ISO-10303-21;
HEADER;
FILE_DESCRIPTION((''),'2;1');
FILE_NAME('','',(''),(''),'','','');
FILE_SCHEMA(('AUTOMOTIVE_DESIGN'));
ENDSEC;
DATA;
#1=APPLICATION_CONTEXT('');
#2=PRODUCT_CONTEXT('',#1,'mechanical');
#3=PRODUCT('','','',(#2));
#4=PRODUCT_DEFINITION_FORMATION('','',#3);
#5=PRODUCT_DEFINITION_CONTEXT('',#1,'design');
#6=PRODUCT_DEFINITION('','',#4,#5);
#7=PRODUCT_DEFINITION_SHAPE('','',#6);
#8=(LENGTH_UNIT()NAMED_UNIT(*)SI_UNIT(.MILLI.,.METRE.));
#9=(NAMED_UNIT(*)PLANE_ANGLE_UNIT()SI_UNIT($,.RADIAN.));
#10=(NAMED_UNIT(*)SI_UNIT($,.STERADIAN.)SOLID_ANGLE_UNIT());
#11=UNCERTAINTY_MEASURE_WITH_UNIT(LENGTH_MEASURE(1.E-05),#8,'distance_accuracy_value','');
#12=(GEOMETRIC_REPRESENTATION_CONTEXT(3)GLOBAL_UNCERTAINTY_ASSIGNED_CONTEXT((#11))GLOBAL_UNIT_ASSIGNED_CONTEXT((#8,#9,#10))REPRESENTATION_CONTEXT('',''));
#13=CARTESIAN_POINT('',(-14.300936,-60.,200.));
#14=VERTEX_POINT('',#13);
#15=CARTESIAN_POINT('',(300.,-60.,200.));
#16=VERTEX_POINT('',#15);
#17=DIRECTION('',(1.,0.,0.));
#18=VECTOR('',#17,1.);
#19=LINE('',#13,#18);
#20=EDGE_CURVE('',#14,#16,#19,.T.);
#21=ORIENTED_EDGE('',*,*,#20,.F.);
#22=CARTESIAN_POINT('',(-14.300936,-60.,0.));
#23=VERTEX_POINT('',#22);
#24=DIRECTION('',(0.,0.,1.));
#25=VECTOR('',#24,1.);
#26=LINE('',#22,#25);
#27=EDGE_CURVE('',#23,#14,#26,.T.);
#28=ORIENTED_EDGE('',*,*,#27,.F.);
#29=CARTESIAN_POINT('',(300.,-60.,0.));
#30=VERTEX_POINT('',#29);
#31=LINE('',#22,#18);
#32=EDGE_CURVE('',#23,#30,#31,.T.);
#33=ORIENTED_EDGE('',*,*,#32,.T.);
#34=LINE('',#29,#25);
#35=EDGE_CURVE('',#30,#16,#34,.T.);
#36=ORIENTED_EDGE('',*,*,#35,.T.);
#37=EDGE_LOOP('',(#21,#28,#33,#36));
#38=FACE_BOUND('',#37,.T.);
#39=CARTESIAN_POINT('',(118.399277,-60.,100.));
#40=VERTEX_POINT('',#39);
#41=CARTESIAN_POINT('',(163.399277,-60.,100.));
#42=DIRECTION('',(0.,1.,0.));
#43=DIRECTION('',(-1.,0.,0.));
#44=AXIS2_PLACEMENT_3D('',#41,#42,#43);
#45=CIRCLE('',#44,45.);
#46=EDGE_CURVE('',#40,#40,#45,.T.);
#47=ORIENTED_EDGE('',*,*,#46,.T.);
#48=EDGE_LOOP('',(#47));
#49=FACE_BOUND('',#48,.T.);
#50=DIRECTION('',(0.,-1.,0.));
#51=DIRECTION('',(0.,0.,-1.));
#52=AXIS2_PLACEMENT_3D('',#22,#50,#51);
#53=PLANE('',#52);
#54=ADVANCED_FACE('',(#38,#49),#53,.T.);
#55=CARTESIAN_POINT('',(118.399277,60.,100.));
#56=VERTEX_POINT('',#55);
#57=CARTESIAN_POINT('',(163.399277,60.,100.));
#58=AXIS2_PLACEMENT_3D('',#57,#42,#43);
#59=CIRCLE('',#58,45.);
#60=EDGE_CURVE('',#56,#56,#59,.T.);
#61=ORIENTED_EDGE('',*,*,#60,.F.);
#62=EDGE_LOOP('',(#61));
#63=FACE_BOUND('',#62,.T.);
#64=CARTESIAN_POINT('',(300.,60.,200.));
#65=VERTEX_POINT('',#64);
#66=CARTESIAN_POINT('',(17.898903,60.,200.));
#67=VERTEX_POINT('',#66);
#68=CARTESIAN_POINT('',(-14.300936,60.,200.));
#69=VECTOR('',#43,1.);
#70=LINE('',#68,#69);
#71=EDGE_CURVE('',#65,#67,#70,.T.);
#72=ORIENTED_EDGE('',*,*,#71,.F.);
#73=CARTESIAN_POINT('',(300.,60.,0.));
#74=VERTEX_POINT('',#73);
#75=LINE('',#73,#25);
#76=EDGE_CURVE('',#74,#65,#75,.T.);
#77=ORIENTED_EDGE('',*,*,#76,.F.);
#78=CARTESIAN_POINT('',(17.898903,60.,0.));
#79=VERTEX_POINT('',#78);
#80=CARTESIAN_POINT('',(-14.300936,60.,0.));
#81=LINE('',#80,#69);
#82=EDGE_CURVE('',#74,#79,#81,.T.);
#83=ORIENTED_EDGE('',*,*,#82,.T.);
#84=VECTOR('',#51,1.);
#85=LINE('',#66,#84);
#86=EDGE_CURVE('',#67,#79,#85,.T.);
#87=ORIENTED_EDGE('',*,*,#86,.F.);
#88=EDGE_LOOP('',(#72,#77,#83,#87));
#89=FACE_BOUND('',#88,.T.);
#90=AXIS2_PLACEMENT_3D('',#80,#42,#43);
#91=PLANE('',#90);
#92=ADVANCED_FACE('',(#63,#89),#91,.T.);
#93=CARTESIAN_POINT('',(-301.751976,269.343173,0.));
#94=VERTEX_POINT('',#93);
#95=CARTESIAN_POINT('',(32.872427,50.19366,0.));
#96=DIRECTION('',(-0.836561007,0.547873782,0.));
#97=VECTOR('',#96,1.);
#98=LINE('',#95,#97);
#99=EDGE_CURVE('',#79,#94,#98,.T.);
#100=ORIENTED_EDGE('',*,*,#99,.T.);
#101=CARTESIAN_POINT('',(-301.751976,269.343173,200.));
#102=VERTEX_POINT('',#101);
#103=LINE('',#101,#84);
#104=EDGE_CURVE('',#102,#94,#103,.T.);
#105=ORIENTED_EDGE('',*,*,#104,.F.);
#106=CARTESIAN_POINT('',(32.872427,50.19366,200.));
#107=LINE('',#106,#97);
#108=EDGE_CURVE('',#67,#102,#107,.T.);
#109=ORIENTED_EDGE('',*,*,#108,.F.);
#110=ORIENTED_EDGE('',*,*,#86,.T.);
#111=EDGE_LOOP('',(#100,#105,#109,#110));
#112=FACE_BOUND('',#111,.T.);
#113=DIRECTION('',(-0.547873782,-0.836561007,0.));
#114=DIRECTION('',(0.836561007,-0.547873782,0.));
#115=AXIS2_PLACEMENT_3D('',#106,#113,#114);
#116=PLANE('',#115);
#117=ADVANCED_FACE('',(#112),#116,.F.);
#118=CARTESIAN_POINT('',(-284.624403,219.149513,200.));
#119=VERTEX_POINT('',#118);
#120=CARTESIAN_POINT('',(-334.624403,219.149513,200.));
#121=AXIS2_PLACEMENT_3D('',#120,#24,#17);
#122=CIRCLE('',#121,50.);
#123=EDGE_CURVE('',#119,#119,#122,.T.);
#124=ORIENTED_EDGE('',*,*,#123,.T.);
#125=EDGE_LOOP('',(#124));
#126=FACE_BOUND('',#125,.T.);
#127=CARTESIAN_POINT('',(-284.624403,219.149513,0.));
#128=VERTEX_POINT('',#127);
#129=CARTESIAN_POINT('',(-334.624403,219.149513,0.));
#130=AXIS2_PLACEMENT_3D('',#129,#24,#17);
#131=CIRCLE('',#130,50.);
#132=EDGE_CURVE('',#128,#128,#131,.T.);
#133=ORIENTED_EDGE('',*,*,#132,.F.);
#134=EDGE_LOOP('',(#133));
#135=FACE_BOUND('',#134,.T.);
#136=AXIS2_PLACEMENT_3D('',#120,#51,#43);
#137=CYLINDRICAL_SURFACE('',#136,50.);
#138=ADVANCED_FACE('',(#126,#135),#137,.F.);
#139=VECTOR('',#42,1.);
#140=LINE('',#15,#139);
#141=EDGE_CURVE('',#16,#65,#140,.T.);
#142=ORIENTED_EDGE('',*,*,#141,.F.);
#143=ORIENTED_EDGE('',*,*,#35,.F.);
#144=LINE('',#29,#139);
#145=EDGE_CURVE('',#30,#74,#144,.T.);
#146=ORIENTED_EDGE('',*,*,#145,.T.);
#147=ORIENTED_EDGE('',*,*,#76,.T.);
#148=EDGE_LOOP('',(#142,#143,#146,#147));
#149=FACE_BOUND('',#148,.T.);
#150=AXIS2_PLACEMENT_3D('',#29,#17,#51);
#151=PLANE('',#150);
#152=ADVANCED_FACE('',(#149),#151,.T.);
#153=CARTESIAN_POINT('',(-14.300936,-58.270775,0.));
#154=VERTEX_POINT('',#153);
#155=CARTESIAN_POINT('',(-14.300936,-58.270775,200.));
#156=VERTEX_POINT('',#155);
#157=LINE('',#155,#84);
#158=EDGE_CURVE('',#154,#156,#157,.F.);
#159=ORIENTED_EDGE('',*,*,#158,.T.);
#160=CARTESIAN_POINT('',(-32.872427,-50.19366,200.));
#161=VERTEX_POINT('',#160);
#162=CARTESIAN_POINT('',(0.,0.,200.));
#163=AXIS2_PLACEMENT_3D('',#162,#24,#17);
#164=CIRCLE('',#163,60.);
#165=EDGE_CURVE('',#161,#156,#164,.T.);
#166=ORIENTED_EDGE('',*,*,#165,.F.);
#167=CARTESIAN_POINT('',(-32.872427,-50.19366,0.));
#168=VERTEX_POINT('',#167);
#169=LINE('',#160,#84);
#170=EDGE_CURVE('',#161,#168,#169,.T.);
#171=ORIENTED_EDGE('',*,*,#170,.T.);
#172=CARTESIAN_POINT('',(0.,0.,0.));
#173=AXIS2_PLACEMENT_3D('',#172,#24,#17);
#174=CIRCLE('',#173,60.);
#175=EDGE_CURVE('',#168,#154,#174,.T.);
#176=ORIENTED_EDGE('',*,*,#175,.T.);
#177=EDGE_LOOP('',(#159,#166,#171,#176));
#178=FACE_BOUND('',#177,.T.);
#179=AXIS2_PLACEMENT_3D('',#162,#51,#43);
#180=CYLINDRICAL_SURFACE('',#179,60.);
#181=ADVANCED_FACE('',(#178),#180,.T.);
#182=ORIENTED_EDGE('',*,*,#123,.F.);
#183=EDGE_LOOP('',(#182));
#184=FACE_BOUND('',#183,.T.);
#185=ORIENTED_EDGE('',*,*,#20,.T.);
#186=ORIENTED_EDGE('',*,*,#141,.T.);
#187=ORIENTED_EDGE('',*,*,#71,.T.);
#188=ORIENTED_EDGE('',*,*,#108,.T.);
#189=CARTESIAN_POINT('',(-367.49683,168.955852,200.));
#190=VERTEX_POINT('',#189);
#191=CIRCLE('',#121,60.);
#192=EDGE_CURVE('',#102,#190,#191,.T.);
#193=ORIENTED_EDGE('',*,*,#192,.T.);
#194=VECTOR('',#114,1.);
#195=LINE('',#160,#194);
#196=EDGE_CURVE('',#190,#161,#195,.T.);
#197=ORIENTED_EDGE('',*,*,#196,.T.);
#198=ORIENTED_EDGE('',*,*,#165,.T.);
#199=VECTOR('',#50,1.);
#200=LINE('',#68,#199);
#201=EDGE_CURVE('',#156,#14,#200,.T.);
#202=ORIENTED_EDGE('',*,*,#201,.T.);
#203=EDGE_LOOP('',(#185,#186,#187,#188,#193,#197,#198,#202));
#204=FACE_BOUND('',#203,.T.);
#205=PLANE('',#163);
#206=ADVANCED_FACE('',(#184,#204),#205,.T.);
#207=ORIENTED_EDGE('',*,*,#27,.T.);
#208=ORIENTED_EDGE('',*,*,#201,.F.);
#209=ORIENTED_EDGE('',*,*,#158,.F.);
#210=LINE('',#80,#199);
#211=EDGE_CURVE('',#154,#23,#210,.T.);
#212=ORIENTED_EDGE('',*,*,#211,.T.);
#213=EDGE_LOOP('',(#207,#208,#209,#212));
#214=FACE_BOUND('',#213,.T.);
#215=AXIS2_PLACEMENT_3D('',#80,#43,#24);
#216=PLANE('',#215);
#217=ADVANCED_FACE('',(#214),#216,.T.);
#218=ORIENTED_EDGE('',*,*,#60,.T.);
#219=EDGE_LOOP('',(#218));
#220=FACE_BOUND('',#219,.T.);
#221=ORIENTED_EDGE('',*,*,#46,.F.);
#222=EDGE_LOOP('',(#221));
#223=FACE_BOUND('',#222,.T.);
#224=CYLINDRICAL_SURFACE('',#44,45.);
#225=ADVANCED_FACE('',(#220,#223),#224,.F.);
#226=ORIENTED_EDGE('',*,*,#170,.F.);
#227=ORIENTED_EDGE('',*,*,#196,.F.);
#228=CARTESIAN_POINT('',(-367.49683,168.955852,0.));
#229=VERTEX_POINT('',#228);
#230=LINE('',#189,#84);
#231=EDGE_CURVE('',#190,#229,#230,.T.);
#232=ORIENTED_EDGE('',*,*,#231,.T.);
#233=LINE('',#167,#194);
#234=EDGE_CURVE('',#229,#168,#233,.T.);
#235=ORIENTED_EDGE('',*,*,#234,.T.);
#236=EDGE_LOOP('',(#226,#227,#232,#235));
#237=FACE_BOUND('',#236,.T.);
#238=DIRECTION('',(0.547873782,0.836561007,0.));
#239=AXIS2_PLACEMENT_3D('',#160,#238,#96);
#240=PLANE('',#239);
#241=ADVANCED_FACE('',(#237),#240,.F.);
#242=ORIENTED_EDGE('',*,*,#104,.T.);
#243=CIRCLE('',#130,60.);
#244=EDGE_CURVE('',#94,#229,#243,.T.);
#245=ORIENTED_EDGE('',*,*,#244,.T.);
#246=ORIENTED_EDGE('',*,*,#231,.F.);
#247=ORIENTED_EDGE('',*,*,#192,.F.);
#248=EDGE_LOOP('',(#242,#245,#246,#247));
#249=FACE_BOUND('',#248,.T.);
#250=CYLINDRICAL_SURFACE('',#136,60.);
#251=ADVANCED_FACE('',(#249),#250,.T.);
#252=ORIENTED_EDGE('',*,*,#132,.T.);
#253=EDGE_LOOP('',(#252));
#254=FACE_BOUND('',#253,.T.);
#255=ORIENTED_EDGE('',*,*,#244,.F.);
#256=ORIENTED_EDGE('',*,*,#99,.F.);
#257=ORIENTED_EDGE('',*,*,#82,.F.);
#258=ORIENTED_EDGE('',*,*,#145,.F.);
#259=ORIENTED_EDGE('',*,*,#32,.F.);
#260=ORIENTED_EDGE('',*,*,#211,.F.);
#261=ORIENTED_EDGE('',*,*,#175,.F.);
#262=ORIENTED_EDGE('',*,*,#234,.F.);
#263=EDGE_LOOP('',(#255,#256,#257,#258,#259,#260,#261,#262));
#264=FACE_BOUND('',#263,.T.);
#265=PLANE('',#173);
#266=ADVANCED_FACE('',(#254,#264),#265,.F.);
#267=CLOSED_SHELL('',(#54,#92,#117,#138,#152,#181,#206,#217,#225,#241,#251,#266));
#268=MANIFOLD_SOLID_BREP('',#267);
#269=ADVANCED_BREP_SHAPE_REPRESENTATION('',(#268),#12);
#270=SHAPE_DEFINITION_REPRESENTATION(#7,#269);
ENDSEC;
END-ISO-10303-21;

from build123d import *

# Parameters (mm, degrees)
SKETCH2_R           = 50
BOSS_EXTRUDE1_DEPTH = 200
SKETCH4_W           = 314.300936027
SKETCH4_H           = 120
BOSS_EXTRUDE2_DEPTH = 200
SKETCH7_R           = 45
CUT_EXTRUDE1_DEPTH  = 121


with BuildPart() as part:
    # Sketch2 → Boss-Extrude1 (new body)
    with BuildSketch(Plane.XY):
        with BuildLine():
            Line((-32.872426913, -50.193660445), (-367.496829879, 168.955852308))
            ThreePointArc((-367.496829879, 168.955852308), (-384.818063411, 252.021939666), (-301.751976053, 269.343173198))
            Line((-301.751976053, 269.343173198), (32.872426913, 50.193660445))
            ThreePointArc((32.872426913, 50.193660445), (50.193660445, -32.872426913), (-32.872426913, -50.193660445))
        make_face()
        with Locations((-334.624402966, 219.149512753)):
            Circle(SKETCH2_R, mode=Mode.SUBTRACT)
    extrude(amount=BOSS_EXTRUDE1_DEPTH)

    # Sketch4 → Boss-Extrude2 (add)
    with BuildSketch(Plane.XY.offset(200)):
        with Locations((142.849531987, 0)):
            Rectangle(SKETCH4_W, SKETCH4_H)
    extrude(amount=-BOSS_EXTRUDE2_DEPTH)

    # Sketch7 → Cut-Extrude1 (cut, through all)
    with BuildSketch(Plane(origin=(0, 60, 0), x_dir=(1, 0, 0), z_dir=(0, 1, 0))):
        with Locations((163.399277188, -100)):
            Circle(SKETCH7_R)
    extrude(amount=-CUT_EXTRUDE1_DEPTH, mode=Mode.SUBTRACT)


solid = part.part
